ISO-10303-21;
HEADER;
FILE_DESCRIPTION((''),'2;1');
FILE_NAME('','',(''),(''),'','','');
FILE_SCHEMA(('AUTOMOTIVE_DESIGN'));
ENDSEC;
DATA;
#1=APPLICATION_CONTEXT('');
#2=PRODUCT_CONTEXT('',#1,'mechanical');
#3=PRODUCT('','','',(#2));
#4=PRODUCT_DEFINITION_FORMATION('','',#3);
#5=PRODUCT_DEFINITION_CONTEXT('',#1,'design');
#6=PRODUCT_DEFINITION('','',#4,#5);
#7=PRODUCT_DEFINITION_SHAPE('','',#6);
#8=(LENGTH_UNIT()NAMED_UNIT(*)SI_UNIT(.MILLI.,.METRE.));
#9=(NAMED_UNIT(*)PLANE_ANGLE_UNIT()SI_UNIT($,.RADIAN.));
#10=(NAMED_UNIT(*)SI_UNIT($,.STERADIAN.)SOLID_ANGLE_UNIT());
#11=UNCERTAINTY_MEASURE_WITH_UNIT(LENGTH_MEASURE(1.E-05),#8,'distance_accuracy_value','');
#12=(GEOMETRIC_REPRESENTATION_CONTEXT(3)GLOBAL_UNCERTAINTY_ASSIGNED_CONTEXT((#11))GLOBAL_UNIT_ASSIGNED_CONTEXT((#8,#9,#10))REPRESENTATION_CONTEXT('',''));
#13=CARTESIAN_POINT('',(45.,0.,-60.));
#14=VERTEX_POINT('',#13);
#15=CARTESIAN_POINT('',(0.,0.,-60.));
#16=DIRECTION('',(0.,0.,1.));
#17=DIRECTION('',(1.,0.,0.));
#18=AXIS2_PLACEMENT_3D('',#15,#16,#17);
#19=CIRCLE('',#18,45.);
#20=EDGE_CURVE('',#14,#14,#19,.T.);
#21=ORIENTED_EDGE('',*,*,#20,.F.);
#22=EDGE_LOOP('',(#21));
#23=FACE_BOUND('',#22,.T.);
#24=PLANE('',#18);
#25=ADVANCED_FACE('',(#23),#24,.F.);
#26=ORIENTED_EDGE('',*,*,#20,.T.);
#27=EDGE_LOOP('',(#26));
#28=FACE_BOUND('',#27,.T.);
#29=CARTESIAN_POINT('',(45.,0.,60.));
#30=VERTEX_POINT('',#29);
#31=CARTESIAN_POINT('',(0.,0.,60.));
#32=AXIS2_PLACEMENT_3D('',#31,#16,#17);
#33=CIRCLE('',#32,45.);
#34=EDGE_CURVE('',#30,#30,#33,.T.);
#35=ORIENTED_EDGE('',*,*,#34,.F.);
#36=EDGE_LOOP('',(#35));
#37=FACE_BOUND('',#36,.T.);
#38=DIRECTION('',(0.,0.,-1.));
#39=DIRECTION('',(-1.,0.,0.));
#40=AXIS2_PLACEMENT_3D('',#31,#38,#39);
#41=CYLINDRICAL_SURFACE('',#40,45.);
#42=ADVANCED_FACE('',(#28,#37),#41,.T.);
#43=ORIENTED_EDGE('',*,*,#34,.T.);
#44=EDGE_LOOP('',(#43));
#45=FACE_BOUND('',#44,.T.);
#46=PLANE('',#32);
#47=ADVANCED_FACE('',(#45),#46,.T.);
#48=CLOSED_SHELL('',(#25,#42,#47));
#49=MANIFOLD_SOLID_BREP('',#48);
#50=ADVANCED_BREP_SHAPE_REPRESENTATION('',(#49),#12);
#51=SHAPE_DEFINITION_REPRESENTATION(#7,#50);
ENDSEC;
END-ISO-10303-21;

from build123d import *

# Parameters (mm, degrees)
ESQUISSE1_R        = 45
BOSS_EXTRU_1_DEPTH = 60


with BuildPart() as part:
    # Esquisse1 → Boss.-Extru.1 (new, symmetric)
    with BuildSketch(Plane.XY):
        Circle(ESQUISSE1_R)
    extrude(amount=BOSS_EXTRU_1_DEPTH, both=True)


solid = part.part
